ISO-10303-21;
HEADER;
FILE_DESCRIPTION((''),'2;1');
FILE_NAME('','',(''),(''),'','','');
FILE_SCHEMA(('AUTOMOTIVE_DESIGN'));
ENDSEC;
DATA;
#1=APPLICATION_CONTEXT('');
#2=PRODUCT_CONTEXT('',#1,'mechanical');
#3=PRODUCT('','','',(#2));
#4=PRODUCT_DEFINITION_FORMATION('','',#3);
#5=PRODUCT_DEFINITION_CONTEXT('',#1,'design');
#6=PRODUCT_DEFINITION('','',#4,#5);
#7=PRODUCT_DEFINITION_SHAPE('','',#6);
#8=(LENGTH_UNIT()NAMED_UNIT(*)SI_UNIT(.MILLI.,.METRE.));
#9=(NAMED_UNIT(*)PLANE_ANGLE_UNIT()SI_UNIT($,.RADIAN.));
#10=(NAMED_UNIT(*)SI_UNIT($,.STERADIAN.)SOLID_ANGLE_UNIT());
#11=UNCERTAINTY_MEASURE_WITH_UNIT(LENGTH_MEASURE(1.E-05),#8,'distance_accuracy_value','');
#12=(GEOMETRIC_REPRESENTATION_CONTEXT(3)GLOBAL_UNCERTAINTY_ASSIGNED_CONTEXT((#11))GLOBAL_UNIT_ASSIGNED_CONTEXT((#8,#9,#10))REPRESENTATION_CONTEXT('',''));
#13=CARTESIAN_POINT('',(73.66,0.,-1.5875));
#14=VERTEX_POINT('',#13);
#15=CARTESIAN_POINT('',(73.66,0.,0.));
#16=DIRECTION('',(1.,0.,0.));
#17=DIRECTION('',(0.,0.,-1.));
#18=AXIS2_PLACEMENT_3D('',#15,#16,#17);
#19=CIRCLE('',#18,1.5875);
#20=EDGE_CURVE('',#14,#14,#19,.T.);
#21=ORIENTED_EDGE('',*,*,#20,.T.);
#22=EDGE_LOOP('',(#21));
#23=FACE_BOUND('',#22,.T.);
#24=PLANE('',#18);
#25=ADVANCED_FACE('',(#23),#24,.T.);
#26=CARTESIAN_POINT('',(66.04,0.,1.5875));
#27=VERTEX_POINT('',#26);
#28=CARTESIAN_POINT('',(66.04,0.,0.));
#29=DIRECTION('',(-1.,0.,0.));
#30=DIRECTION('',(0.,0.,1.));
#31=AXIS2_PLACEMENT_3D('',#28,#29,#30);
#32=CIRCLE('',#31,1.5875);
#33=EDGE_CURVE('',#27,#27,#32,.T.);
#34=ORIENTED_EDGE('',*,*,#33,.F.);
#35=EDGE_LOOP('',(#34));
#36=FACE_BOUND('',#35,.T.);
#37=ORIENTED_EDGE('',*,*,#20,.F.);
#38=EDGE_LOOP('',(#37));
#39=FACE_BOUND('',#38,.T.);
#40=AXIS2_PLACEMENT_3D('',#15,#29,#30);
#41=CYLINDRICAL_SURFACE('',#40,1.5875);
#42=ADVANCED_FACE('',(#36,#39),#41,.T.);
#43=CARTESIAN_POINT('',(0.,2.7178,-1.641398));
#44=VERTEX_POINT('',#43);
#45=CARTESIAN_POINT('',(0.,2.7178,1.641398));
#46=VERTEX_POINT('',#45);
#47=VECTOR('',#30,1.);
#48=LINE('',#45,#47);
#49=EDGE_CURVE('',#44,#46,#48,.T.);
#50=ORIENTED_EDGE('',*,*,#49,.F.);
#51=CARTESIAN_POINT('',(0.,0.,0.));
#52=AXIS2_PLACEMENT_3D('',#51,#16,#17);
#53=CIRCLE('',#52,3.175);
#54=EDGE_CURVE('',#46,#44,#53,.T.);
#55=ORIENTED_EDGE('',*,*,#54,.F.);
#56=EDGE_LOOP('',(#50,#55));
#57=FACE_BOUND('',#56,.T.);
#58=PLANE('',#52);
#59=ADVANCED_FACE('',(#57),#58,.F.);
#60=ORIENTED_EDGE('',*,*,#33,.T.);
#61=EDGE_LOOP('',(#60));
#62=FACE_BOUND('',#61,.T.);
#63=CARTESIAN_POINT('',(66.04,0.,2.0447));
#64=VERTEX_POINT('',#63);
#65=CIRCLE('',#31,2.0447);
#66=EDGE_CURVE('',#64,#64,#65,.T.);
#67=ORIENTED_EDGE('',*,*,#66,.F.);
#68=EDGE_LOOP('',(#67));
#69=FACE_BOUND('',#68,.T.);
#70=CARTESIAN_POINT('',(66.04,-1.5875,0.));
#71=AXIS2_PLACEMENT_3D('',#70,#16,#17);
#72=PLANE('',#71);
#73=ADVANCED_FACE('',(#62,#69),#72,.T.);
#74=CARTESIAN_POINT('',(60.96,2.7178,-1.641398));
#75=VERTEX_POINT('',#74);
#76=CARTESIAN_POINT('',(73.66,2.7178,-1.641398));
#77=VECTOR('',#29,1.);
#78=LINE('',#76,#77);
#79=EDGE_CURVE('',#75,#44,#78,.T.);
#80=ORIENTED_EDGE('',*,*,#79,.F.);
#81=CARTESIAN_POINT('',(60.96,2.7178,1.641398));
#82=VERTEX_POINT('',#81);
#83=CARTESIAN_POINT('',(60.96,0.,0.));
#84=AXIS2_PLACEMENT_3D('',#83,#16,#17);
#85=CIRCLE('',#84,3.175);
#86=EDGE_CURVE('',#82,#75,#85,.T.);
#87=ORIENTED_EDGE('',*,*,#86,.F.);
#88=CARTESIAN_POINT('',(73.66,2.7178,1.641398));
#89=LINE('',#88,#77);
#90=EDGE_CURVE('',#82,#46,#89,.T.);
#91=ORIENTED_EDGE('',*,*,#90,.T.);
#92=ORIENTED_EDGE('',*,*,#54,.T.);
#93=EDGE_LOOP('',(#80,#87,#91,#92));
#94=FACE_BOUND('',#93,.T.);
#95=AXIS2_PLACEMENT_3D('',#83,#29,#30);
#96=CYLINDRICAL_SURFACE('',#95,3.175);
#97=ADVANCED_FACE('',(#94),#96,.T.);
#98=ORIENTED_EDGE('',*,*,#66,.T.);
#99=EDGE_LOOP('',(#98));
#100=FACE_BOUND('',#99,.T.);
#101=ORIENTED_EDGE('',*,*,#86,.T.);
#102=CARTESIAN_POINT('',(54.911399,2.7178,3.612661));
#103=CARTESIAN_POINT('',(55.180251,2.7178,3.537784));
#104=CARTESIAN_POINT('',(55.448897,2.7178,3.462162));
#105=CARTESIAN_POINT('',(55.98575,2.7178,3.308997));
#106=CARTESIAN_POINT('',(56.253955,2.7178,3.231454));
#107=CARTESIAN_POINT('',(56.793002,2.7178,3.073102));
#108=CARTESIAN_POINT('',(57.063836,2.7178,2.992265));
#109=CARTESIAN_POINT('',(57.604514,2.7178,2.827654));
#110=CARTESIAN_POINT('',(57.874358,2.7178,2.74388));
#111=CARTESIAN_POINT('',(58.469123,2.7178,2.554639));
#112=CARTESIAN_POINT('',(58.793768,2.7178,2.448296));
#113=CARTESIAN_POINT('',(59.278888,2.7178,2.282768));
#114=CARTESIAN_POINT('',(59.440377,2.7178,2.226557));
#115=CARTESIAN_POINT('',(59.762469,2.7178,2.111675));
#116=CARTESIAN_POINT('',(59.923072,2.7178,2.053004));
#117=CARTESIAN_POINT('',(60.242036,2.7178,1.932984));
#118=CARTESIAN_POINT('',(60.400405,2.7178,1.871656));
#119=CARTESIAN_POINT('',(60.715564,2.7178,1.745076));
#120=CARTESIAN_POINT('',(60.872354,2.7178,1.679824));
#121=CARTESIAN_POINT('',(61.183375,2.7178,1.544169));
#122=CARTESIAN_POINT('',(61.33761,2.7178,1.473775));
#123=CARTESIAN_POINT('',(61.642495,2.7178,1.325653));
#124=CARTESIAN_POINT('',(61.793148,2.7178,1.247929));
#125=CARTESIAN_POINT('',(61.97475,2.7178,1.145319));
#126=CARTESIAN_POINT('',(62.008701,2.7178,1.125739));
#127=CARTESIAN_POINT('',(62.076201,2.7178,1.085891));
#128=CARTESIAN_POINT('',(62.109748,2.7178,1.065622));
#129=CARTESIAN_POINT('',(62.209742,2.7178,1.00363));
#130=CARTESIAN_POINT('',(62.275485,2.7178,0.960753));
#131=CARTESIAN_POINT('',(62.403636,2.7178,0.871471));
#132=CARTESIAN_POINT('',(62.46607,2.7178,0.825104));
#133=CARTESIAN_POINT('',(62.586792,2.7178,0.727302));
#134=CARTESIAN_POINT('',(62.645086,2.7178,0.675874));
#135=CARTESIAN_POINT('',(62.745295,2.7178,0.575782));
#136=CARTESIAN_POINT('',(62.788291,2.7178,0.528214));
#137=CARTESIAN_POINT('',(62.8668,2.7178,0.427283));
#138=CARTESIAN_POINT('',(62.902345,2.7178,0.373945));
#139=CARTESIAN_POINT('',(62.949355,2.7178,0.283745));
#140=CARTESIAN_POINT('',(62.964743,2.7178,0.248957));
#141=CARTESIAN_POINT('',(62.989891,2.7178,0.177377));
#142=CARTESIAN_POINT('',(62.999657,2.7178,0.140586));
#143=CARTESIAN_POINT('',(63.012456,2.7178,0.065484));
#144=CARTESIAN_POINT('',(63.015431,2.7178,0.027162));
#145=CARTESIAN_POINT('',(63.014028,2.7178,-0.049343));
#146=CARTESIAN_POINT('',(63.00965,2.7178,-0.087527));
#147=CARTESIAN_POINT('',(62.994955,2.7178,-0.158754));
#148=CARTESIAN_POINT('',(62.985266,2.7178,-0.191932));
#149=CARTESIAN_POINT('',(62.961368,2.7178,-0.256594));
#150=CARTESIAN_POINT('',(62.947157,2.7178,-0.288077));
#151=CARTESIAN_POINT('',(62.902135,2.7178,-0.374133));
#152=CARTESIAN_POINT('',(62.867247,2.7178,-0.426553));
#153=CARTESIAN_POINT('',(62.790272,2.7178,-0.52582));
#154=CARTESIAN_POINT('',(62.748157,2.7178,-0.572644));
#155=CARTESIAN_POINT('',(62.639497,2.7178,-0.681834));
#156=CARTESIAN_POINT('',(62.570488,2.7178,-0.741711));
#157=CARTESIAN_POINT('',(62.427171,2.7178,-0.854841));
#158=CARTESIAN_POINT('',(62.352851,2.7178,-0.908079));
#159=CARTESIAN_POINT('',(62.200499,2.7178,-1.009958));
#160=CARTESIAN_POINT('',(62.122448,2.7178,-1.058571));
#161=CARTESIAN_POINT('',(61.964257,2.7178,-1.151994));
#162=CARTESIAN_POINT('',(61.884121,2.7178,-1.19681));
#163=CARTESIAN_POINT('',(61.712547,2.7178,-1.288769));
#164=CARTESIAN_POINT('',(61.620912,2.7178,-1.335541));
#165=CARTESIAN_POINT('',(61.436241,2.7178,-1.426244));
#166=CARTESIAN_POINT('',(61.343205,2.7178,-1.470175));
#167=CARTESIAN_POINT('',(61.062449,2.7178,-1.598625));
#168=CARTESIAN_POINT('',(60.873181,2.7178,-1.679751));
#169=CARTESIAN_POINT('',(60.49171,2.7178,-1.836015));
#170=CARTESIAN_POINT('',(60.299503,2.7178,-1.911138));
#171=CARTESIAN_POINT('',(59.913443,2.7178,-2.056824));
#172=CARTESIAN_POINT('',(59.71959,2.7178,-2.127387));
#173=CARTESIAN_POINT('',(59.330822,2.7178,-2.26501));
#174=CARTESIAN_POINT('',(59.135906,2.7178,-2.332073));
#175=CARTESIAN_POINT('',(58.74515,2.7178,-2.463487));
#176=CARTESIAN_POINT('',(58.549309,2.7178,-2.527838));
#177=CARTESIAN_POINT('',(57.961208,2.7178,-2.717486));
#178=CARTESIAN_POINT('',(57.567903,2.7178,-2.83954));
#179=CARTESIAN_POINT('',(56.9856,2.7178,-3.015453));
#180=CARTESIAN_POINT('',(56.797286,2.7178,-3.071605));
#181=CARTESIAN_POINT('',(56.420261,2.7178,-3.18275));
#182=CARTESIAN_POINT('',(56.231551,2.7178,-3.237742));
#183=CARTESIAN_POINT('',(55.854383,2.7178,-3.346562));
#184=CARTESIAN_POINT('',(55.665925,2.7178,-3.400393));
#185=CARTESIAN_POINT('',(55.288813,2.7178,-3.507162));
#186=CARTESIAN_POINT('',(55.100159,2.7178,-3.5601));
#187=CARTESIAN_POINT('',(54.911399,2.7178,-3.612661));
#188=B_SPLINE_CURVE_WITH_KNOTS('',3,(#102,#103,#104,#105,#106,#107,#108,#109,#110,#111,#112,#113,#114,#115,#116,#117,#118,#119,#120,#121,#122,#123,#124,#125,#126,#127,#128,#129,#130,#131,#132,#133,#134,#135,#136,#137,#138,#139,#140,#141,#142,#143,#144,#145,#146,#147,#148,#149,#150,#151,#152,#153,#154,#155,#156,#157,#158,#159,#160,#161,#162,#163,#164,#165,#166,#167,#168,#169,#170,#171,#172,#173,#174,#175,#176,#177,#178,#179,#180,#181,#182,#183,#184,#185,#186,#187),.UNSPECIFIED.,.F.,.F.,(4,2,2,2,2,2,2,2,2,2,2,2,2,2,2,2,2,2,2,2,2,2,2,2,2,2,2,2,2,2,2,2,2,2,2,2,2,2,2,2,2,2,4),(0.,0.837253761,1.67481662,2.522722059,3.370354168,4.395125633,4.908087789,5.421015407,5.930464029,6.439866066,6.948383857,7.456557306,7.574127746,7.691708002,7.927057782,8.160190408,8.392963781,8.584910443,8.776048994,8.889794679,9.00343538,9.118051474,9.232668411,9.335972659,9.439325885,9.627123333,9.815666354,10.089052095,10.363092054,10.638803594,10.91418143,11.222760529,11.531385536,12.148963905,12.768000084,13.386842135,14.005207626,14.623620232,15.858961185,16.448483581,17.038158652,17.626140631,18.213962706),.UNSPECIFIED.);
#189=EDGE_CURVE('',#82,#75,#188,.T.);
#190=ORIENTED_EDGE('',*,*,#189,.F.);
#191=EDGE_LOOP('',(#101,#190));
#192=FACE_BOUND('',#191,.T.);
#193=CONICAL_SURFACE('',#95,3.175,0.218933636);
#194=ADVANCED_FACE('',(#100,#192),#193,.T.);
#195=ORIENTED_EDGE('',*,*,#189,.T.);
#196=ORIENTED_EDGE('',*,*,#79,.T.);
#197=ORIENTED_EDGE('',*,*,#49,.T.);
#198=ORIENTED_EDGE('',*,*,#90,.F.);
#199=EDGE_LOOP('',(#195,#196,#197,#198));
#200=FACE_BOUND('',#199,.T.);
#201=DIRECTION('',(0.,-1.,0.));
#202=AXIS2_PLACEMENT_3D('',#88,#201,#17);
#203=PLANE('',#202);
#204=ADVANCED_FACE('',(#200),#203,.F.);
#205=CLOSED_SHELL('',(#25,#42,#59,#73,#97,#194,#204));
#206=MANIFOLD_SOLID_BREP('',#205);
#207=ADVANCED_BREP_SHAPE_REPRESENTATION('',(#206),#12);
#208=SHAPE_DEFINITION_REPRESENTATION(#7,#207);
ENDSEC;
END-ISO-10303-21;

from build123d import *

# Parameters (mm, degrees)
SKETCH1_R           = 3.175
BOSS_EXTRUDE1_DEPTH = 60.96
SKETCH2_R           = 1.5875
BOSS_EXTRUDE2_DEPTH = 12.7
CUT_EXTRUDE1_DEPTH  = 74.796726553


with BuildPart() as part:
    # Sketch1 → Boss-Extrude1 (new body)
    with BuildSketch(Plane(origin=(0, 0, 0), x_dir=(0, 0, -1), z_dir=(1, 0, 0))):
        with Locations(Location((0, 0, 0), (0, 0, 180))):
            Circle(SKETCH1_R)
    extrude(amount=BOSS_EXTRUDE1_DEPTH)

    # Sketch2 → Boss-Extrude2 (add)
    with BuildSketch(Plane(origin=(60.96, 0, 0), x_dir=(0, 0, -1), z_dir=(1, 0, 0))):
        Circle(SKETCH2_R)
    extrude(amount=BOSS_EXTRUDE2_DEPTH)

    # Sketch4 → Revolve1 (revolve)
    with BuildSketch(Plane.XY, mode=Mode.PRIVATE) as revolve1_sk:
        Polygon((60.96, -1.5875), (66.04, -1.5875), (66.04, -2.0447), (60.96, -3.175), align=None)
    revolve(revolve1_sk.sketch.rotate(Axis((60.96, 0, 0), (1, 0, 0)), 270), axis=Axis((60.96, 0, 0), (1, 0, 0)))

    # Sketch3 → Cut-Extrude1 (cut, through all)
    with BuildSketch(Plane.ZY):
        with BuildLine():
            Line((1.641398233, 2.7178), (-1.641398233, 2.7178))
            ThreePointArc((-1.641398233, 2.7178), (0, 3.175), (1.641398233, 2.7178))
        make_face()
    extrude(amount=-CUT_EXTRUDE1_DEPTH, mode=Mode.SUBTRACT)


solid = part.part
